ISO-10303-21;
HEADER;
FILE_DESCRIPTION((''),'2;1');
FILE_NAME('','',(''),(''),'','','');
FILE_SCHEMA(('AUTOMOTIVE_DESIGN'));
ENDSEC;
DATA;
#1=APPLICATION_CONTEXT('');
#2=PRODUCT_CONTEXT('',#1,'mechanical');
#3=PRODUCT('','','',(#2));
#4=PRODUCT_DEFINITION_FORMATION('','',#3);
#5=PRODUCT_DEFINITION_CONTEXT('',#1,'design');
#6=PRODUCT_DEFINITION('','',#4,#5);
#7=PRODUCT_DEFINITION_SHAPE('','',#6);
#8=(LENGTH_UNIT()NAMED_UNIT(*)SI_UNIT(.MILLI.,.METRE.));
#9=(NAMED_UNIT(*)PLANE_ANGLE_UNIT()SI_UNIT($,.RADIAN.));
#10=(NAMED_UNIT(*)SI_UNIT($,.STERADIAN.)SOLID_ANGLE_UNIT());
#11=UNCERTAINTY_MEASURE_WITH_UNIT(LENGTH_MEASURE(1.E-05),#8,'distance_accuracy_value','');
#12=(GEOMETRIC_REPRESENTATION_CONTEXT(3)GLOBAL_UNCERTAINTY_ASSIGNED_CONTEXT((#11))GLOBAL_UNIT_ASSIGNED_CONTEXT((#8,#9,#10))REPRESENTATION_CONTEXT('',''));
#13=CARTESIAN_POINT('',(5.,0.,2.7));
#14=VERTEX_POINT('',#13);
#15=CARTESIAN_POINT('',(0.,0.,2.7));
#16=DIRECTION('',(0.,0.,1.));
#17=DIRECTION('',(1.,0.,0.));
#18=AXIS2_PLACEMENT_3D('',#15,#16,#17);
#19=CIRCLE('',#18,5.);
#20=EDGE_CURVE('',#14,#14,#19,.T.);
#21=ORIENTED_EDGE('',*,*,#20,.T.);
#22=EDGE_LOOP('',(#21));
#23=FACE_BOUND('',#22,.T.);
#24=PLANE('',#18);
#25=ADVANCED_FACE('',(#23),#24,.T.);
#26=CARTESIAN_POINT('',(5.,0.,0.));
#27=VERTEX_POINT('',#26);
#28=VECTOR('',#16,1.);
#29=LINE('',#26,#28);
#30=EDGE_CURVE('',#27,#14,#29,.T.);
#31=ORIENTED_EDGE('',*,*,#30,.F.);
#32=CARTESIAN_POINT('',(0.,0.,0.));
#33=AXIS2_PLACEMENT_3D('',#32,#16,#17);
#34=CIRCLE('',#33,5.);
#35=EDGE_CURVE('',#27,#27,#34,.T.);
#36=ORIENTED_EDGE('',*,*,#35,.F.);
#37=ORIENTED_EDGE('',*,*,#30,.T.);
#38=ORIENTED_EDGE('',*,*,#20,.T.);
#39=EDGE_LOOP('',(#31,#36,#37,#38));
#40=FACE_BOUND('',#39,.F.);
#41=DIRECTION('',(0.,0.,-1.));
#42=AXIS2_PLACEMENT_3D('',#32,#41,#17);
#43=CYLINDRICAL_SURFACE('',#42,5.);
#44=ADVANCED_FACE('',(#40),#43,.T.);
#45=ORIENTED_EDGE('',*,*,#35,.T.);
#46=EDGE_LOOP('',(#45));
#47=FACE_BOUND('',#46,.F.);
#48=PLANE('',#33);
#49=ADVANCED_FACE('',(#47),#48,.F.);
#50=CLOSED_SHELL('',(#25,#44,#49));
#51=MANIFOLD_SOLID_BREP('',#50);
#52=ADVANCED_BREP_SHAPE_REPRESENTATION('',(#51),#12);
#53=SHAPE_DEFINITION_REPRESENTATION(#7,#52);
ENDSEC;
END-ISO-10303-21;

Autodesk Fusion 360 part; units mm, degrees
sketch "Sketch1" plane through (0, 0, 0) normal (0, 0, 1) x (1, 0, 0)
  circle A0 centre (0, 0) radius 5
  dimension "d1" = 10
extrude "Extrude1" add sketch "Sketch1" along normal blind 2.7
